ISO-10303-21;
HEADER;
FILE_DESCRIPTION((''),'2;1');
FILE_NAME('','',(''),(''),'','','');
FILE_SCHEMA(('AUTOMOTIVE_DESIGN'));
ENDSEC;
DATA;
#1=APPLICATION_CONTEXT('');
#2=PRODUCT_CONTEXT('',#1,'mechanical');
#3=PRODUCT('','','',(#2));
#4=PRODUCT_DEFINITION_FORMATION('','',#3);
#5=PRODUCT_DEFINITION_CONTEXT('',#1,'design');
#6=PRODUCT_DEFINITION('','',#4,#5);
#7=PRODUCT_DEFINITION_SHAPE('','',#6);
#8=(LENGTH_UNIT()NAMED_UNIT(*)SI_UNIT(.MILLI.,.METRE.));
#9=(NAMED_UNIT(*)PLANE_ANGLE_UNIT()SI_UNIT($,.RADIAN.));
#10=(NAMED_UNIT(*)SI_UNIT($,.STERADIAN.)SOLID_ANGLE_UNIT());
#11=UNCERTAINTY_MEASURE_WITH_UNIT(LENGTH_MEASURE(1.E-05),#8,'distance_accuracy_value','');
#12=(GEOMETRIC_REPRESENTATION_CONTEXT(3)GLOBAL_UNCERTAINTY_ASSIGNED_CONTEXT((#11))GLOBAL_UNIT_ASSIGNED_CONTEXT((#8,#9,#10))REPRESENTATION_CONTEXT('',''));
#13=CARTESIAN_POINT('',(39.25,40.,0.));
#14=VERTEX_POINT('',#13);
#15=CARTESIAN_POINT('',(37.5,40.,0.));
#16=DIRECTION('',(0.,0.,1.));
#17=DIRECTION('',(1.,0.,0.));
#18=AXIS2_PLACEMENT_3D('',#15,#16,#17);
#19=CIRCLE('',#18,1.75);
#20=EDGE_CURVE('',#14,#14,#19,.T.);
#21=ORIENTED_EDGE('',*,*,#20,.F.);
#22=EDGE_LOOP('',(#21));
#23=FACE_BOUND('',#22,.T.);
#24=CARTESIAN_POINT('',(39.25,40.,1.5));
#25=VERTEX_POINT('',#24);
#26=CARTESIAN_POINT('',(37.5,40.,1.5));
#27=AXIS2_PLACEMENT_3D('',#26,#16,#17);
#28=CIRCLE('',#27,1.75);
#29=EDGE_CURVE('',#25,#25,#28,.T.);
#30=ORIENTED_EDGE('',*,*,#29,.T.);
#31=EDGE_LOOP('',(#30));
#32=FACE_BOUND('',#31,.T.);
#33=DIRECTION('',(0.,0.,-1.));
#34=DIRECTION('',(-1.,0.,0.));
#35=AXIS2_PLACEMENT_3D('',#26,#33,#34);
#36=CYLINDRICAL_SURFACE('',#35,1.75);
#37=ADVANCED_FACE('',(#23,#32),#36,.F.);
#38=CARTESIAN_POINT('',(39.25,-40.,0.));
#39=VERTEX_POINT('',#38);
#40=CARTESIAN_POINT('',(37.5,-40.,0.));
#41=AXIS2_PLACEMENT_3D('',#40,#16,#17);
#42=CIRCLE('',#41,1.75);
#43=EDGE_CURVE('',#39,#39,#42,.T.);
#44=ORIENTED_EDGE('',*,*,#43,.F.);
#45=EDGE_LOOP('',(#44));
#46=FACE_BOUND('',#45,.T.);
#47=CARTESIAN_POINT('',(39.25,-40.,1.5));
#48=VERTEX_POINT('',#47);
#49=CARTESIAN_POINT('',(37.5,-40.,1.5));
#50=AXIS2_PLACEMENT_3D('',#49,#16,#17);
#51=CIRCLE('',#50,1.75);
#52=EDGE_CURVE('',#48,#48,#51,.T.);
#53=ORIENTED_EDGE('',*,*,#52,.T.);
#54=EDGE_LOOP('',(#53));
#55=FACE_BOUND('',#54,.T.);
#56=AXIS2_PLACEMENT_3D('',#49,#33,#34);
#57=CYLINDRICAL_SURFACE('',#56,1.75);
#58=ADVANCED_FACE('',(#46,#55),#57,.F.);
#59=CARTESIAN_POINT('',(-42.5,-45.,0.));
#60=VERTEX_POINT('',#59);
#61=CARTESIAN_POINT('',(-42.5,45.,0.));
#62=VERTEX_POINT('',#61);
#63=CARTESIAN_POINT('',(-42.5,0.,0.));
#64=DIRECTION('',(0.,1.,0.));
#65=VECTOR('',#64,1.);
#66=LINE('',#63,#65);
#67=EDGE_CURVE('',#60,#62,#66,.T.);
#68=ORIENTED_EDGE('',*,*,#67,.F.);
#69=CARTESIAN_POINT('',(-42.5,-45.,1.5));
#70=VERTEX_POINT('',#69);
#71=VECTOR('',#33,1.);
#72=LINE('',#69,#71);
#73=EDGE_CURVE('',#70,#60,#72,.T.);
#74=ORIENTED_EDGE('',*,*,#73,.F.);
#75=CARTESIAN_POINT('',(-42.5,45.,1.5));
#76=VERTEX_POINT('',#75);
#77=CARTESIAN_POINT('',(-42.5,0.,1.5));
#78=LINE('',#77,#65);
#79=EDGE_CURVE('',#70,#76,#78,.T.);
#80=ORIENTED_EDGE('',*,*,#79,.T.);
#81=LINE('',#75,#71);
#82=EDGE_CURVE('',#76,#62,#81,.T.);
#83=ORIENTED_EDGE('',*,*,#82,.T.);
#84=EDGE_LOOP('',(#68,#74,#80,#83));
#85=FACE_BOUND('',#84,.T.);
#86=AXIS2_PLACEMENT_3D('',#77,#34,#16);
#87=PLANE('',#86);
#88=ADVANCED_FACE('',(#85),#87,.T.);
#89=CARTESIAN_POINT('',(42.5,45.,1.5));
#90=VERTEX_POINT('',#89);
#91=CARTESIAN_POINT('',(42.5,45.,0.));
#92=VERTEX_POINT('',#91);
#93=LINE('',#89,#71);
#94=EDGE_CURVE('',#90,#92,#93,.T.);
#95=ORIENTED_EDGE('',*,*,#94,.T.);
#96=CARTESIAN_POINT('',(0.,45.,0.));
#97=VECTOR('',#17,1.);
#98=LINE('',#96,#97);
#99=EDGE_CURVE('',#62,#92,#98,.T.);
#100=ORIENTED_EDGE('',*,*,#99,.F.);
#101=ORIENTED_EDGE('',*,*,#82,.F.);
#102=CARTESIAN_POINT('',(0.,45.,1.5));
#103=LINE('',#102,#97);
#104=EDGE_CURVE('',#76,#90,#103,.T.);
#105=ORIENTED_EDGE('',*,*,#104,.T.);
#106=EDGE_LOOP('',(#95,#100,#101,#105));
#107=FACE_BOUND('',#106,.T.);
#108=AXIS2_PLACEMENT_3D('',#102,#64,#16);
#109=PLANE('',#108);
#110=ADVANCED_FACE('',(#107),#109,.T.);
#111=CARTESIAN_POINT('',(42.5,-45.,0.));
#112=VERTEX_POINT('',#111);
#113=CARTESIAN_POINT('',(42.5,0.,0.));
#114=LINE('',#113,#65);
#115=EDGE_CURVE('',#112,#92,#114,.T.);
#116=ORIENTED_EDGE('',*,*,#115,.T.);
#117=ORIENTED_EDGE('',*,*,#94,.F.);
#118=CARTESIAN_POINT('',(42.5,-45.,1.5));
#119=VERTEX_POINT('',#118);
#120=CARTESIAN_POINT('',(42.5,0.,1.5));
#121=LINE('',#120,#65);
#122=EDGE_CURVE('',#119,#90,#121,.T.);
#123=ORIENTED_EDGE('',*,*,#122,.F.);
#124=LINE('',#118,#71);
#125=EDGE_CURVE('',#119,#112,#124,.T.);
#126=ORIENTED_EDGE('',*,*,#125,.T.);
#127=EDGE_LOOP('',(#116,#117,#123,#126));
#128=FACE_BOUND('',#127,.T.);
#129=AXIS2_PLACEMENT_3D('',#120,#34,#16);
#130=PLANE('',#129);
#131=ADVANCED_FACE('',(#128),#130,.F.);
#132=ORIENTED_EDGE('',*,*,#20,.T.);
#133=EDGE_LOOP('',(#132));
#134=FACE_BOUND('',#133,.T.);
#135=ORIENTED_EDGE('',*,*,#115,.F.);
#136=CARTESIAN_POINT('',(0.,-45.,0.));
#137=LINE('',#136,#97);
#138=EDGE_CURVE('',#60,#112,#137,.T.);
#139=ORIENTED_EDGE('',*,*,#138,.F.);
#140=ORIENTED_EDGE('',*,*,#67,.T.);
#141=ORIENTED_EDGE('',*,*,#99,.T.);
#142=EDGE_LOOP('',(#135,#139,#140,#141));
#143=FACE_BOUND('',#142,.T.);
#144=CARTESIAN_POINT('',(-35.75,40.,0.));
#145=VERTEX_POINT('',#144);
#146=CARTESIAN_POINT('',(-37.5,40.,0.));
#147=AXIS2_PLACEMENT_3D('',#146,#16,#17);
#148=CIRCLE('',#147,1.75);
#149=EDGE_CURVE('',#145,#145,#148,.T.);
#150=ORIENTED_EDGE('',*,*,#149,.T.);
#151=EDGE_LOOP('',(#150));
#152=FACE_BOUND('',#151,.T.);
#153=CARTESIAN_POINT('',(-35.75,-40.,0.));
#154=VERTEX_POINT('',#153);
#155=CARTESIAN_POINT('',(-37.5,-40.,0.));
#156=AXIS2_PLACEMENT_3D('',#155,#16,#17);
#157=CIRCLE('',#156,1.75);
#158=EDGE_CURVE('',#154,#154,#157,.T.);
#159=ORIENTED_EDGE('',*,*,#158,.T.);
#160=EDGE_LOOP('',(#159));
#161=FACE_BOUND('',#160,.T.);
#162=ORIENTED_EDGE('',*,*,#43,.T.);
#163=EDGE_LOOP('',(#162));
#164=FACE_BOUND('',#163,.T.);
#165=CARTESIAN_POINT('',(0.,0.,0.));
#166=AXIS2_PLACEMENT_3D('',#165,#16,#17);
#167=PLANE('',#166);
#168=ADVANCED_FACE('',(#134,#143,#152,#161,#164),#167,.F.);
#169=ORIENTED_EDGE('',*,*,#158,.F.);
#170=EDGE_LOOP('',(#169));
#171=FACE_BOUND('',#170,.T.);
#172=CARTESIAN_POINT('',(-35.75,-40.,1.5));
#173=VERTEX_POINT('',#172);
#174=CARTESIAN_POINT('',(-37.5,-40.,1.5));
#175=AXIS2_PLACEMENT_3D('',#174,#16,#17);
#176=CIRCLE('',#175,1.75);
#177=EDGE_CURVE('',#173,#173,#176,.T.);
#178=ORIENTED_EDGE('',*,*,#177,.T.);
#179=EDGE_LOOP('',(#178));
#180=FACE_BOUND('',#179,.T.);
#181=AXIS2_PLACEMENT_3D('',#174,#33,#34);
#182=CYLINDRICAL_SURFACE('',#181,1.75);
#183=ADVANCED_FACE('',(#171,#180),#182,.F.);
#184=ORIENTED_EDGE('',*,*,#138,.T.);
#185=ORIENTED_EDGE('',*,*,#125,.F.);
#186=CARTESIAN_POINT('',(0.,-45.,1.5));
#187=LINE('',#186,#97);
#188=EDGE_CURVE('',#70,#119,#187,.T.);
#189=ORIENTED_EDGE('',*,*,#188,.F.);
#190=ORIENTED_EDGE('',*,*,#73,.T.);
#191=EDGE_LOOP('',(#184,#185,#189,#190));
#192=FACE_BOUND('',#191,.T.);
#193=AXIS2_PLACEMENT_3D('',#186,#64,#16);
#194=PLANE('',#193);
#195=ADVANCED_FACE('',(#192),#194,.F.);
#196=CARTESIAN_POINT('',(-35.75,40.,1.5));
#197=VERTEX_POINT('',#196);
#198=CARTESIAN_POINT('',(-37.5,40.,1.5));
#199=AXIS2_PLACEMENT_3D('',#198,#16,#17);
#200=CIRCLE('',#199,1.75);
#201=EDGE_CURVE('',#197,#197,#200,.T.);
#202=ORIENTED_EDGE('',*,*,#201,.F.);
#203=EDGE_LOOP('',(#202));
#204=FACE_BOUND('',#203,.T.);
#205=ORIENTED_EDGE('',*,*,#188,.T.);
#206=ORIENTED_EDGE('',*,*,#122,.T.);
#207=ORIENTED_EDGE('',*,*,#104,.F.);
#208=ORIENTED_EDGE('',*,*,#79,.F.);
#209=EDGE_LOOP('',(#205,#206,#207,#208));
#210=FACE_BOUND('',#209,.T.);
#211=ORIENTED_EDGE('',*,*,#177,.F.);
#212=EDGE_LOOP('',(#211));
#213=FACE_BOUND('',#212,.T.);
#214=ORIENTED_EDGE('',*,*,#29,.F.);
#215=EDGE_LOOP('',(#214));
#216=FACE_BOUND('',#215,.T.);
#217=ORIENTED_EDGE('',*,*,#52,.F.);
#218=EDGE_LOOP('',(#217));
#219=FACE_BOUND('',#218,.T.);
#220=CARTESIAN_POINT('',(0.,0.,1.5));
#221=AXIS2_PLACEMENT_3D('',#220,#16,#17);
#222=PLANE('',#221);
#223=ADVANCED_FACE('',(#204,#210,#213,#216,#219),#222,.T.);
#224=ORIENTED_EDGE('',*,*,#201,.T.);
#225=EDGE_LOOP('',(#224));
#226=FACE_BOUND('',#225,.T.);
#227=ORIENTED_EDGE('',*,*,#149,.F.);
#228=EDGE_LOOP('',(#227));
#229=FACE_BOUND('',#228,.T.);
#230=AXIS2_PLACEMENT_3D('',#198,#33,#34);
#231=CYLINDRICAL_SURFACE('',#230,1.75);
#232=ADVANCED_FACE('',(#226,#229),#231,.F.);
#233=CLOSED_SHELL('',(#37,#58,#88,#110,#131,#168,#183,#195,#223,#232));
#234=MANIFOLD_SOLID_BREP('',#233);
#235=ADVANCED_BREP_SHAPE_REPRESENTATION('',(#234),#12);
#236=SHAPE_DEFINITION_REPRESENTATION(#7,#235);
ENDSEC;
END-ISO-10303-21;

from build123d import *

# Parameters (mm, degrees)
SKETCH_1_W      = 85
SKETCH_1_H      = 90
SKETCH_1_R      = 1.75
EXTRUDE_1_DEPTH = 1.5


with BuildPart() as part:
    # Эскиз1 → Бобышка-Вытянуть1 (new body)
    with BuildSketch(Plane.XY):
        Rectangle(SKETCH_1_W, SKETCH_1_H)
        with Locations((-37.5, -40)):
            Circle(SKETCH_1_R, mode=Mode.SUBTRACT)
        with Locations((37.5, -40)):
            Circle(SKETCH_1_R, mode=Mode.SUBTRACT)
        with Locations((37.5, 40)):
            Circle(SKETCH_1_R, mode=Mode.SUBTRACT)
        with Locations((-37.5, 40)):
            Circle(SKETCH_1_R, mode=Mode.SUBTRACT)
    extrude(amount=EXTRUDE_1_DEPTH)


solid = part.part
